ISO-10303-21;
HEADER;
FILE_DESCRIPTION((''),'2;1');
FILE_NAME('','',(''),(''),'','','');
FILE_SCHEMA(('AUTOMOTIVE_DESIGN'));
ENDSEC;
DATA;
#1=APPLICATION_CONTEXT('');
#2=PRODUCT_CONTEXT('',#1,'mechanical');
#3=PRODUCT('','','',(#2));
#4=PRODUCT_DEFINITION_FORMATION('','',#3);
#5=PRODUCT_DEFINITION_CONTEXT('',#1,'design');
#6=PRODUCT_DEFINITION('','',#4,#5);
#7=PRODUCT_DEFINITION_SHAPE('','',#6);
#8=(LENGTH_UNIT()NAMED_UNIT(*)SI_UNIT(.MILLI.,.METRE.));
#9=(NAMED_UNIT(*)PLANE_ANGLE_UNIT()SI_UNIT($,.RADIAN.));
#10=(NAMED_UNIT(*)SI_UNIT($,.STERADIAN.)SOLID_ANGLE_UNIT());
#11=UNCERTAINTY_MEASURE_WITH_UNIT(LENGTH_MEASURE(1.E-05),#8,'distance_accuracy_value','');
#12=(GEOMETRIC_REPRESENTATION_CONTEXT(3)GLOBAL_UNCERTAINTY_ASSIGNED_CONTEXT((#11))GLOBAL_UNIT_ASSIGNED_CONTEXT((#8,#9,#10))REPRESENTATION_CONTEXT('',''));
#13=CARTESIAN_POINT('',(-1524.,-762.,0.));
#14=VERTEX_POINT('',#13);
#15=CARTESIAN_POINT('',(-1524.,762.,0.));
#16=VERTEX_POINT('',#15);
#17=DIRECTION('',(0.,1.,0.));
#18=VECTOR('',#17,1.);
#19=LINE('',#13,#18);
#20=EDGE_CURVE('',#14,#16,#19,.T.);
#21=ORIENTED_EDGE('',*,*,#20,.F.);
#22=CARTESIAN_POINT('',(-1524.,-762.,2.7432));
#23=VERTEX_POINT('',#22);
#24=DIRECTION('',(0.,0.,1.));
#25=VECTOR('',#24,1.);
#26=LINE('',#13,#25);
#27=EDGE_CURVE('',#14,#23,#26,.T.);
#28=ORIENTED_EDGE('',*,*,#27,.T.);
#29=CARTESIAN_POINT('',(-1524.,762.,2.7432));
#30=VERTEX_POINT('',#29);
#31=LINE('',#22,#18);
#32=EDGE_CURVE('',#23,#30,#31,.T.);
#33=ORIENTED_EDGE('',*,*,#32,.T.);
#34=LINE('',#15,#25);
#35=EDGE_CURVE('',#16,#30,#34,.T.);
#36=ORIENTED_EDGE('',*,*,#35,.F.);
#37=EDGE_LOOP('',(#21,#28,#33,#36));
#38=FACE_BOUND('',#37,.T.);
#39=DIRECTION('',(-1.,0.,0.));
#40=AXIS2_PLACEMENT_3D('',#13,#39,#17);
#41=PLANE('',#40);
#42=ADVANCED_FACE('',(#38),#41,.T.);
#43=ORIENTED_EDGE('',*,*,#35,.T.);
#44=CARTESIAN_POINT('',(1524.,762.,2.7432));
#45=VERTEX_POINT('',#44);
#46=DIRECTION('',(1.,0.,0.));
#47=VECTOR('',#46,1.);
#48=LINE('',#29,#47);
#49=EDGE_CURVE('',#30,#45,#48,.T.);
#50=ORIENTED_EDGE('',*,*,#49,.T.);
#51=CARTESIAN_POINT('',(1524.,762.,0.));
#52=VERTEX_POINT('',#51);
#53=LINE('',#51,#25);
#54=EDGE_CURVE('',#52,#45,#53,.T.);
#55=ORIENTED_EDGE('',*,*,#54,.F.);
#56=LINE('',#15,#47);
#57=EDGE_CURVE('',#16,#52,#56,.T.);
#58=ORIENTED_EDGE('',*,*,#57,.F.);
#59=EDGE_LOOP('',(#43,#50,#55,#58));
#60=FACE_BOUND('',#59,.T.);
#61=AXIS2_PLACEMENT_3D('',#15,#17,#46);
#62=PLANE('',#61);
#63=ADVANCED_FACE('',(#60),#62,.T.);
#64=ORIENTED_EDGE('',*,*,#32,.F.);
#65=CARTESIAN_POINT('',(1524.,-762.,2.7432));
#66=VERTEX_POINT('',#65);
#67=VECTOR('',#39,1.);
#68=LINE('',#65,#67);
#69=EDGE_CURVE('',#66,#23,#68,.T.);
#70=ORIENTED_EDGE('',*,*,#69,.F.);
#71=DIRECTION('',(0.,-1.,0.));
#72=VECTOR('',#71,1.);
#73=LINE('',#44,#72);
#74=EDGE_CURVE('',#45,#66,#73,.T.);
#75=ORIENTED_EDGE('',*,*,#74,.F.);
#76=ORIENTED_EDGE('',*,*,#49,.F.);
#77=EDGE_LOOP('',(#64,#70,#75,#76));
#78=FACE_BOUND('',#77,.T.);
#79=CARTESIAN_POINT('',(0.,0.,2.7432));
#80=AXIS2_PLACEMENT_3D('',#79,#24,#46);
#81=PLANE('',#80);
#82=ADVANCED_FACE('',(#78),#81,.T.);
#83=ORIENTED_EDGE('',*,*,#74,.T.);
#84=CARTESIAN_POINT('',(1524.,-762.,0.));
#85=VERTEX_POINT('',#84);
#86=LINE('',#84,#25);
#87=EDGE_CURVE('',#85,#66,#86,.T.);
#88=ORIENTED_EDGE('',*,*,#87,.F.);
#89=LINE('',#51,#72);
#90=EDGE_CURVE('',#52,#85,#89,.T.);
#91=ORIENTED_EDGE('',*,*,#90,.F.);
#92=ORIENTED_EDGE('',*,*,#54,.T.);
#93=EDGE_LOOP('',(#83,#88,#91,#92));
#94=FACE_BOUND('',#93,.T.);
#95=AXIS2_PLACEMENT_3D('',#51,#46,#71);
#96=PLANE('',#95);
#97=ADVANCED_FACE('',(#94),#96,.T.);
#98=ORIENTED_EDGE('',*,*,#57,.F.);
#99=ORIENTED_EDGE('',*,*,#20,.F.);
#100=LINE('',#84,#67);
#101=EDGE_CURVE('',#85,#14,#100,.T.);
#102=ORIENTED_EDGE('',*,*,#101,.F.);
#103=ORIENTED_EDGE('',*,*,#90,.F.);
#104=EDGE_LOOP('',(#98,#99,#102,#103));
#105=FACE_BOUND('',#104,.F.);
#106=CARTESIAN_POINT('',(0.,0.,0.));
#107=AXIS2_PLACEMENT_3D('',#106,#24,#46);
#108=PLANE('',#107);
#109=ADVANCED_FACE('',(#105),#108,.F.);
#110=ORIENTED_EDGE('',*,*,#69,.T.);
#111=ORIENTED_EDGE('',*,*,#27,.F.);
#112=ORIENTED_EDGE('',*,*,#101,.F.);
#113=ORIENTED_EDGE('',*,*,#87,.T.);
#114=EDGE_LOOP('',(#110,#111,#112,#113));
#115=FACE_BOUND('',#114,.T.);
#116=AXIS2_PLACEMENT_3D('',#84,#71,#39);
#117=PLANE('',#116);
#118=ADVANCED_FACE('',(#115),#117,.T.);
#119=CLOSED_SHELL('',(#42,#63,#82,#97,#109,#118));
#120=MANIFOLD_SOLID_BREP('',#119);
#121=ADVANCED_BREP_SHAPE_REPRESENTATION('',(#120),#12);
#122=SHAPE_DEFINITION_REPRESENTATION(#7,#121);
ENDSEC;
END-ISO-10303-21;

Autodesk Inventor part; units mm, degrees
ref_plane "YZ Plane" through (0, 0, 0) normal (1, 0, 0) x (0, 1, 0)
ref_plane "XZ Plane" through (0, 0, 0) normal (0, 1, 0) x (-1, 0, 0)
ref_plane "XY Plane" through (0, 0, 0) normal (0, 0, 1) x (1, 0, 0)
sketch "Sketch1" plane through (0, 0, 0) normal (0, 0, 1) x (1, 0, 0)
  line L0 (1524, -762) -> (-1524, -762)
  line L1 (-1524, -762) -> (-1524, 762)
  line L2 (-1524, 762) -> (1524, 762)
  line L3 (1524, 762) -> (1524, -762)
  line L4 (1524, -762) -> (-1524, 762) construction
  line L5 (-1524, -762) -> (1524, 762) construction
  point P0 (0, 0)
  dimension "d0" = 3048
  dimension "d1" = 1524
extrude "Extrusion1" add sketch "Sketch1" along normal blind 2.7432
properties part number "SteelTankSideandBottom"
